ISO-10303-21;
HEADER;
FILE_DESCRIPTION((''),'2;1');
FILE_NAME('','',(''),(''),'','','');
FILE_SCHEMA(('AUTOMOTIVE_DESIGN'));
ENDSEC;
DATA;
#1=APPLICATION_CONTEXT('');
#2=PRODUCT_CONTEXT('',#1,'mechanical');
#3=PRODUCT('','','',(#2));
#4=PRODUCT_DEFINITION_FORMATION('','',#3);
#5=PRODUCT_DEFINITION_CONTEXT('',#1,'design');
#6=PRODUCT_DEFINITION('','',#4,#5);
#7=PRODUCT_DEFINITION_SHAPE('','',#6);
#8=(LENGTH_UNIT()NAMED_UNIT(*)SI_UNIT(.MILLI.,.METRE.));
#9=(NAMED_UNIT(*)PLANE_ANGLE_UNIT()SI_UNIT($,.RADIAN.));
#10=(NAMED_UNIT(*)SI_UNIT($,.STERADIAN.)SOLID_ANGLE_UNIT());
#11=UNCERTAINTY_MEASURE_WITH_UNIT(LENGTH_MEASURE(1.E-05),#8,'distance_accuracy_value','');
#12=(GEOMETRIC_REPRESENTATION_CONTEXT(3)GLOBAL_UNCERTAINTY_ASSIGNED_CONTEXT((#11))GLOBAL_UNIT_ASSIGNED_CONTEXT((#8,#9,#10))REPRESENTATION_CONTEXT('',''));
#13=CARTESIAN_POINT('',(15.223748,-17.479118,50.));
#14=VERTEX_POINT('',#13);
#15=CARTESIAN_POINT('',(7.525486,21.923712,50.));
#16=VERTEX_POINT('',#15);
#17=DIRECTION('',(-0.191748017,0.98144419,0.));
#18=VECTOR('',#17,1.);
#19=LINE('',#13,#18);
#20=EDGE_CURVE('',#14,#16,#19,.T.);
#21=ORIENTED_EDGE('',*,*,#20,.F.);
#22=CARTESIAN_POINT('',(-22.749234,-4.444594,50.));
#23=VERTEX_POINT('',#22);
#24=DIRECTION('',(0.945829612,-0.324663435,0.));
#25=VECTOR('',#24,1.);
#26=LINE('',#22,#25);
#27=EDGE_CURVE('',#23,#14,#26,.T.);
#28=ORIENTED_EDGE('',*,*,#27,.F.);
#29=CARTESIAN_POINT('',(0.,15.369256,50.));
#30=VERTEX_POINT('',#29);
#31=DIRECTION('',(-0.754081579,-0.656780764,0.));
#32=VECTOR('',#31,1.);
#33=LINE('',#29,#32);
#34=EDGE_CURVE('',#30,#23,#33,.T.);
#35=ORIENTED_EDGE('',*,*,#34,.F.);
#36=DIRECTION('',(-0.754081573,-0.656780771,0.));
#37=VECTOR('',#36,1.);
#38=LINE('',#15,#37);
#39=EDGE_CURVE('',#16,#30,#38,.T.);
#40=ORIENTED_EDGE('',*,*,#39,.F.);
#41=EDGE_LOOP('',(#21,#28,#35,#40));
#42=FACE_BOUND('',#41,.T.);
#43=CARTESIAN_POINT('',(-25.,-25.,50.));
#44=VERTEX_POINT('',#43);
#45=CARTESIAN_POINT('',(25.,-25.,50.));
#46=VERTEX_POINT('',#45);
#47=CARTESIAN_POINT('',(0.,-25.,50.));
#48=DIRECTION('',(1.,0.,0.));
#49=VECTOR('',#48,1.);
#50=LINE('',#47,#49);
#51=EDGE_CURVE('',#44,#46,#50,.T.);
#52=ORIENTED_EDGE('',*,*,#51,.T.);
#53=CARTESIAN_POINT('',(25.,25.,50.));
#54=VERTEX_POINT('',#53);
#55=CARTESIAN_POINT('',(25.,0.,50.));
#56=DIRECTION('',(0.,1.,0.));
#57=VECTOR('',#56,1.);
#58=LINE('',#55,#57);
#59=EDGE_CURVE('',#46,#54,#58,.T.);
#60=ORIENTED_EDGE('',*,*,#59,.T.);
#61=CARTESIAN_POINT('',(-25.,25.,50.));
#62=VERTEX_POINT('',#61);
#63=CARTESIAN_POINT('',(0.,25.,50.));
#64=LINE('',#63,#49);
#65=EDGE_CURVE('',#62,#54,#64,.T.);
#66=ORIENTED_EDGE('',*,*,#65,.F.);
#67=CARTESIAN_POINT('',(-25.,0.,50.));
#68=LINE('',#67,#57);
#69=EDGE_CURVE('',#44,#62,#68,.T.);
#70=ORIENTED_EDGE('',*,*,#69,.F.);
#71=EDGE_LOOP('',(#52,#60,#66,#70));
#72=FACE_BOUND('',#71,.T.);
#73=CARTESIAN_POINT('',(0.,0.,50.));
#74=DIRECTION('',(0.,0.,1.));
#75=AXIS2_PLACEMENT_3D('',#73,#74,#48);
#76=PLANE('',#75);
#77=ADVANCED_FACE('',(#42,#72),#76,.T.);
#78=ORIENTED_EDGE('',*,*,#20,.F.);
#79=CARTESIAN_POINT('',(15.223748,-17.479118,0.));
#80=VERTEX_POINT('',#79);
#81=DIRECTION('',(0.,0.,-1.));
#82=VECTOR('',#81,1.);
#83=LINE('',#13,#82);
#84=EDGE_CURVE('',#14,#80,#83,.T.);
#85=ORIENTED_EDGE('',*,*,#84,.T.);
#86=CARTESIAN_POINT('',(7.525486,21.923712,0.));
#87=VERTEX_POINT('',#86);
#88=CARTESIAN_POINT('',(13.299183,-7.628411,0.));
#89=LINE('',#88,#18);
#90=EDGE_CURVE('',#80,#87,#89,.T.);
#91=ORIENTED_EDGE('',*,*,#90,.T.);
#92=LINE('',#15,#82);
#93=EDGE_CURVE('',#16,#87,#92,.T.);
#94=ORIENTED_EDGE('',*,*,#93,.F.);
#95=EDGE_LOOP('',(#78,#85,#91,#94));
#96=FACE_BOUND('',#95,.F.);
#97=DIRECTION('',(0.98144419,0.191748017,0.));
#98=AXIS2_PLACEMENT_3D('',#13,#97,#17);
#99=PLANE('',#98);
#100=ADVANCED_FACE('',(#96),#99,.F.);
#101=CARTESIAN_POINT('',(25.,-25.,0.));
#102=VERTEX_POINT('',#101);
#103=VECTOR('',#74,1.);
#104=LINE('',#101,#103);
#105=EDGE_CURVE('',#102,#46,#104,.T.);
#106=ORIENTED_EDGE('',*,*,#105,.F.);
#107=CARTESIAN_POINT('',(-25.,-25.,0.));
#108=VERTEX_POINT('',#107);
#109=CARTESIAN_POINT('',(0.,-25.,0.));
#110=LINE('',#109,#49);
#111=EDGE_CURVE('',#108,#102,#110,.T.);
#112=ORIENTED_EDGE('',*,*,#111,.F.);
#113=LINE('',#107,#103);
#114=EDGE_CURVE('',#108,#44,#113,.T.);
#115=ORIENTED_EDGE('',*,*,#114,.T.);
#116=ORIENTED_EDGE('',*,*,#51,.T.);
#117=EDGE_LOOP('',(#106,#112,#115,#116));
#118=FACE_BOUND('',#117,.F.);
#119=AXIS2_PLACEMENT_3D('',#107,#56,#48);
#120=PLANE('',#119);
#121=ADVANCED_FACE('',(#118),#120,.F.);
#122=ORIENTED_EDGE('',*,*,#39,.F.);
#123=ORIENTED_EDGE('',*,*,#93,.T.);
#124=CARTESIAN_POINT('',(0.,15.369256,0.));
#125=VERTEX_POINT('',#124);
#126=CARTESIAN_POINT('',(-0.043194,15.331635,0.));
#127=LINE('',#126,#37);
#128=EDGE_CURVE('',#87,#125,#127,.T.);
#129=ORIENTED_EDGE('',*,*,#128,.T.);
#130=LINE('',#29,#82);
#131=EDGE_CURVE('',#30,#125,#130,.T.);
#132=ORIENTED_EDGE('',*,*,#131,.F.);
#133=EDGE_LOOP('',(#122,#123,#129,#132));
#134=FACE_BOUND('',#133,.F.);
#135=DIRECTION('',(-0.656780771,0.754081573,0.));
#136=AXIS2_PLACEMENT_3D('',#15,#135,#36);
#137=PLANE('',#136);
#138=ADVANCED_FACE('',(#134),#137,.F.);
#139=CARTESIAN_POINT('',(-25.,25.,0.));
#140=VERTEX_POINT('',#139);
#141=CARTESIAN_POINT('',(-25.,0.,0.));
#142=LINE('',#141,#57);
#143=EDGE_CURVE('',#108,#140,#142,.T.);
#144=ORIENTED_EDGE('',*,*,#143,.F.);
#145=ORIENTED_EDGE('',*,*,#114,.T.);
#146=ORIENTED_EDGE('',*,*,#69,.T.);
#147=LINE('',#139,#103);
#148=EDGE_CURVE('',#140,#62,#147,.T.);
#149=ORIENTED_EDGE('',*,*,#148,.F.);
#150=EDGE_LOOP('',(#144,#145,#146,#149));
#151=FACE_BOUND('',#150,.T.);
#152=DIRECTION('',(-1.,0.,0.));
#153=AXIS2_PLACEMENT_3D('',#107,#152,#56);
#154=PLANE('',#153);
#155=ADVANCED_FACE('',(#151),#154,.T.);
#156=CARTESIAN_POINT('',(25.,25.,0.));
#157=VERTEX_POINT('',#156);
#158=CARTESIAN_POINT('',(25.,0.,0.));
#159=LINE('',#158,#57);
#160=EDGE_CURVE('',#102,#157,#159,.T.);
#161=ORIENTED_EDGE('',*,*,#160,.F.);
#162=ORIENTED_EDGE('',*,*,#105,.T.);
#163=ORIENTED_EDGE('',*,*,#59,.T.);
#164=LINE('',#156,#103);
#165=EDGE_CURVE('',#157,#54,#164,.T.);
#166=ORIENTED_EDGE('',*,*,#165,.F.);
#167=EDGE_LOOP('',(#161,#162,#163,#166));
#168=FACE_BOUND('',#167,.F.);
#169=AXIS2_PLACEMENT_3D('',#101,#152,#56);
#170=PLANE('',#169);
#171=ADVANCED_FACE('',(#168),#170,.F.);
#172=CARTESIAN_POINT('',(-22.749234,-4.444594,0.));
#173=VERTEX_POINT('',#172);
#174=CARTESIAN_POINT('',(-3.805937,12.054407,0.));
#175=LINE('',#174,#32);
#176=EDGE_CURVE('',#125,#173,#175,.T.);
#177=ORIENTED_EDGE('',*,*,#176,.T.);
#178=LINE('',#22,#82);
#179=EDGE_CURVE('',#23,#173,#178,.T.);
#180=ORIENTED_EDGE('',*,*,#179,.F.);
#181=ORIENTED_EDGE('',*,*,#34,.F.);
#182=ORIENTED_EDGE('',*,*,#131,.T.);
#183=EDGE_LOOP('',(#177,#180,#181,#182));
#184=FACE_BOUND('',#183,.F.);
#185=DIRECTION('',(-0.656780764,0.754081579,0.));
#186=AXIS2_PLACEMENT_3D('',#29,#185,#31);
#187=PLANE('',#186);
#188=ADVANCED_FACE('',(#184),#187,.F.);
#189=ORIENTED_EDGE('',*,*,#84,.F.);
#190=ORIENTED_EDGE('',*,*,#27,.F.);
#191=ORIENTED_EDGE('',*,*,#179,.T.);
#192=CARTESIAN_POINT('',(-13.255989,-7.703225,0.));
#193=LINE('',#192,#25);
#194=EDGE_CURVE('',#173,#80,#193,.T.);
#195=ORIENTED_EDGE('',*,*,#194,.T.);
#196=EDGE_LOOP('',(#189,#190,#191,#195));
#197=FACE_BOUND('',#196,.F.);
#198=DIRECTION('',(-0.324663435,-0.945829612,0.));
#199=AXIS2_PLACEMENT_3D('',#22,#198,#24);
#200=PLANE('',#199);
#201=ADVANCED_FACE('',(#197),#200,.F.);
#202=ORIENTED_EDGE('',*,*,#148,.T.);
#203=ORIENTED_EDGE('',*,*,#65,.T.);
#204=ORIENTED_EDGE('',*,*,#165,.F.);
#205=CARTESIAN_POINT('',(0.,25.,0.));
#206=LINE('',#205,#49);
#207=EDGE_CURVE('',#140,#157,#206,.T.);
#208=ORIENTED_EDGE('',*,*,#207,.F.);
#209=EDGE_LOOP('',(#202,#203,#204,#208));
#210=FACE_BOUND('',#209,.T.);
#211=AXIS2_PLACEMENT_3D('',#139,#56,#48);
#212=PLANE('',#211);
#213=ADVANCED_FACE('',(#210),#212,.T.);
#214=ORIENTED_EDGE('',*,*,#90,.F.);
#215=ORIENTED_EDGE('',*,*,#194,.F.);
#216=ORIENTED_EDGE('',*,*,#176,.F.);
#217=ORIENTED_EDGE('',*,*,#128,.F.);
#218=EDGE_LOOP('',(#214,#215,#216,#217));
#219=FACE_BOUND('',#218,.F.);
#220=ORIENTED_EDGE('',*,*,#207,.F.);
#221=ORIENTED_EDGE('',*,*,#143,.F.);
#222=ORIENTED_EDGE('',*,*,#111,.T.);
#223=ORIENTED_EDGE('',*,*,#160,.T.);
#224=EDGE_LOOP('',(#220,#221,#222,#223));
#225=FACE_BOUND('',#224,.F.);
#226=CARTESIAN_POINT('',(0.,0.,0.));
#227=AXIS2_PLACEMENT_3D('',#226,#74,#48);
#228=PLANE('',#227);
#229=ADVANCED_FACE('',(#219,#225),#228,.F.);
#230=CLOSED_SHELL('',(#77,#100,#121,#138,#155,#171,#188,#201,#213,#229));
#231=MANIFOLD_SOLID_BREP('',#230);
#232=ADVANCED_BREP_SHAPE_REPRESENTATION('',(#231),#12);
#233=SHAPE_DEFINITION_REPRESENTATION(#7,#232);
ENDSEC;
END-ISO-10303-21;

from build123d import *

# Parameters (mm, degrees)
F0_W     = 50
F0_H     = 50
F1_DEPTH = 50
F3_DEPTH = 55


with BuildPart() as f1:
    # F0 (on Top) → F1 (new body)
    with BuildSketch(Plane.XY):
        Rectangle(F0_W, F0_H)
    extrude(amount=F1_DEPTH)

    # F2 (on face) → F3 (cut)
    with BuildSketch(Plane.XY.offset(50)):
        Polygon((7.525486, 21.923712), (0, 15.369256), (-22.749234, -4.444594), (15.223748, -17.479118), align=None)
    extrude(amount=-F3_DEPTH, mode=Mode.SUBTRACT)


solid = f1.part
